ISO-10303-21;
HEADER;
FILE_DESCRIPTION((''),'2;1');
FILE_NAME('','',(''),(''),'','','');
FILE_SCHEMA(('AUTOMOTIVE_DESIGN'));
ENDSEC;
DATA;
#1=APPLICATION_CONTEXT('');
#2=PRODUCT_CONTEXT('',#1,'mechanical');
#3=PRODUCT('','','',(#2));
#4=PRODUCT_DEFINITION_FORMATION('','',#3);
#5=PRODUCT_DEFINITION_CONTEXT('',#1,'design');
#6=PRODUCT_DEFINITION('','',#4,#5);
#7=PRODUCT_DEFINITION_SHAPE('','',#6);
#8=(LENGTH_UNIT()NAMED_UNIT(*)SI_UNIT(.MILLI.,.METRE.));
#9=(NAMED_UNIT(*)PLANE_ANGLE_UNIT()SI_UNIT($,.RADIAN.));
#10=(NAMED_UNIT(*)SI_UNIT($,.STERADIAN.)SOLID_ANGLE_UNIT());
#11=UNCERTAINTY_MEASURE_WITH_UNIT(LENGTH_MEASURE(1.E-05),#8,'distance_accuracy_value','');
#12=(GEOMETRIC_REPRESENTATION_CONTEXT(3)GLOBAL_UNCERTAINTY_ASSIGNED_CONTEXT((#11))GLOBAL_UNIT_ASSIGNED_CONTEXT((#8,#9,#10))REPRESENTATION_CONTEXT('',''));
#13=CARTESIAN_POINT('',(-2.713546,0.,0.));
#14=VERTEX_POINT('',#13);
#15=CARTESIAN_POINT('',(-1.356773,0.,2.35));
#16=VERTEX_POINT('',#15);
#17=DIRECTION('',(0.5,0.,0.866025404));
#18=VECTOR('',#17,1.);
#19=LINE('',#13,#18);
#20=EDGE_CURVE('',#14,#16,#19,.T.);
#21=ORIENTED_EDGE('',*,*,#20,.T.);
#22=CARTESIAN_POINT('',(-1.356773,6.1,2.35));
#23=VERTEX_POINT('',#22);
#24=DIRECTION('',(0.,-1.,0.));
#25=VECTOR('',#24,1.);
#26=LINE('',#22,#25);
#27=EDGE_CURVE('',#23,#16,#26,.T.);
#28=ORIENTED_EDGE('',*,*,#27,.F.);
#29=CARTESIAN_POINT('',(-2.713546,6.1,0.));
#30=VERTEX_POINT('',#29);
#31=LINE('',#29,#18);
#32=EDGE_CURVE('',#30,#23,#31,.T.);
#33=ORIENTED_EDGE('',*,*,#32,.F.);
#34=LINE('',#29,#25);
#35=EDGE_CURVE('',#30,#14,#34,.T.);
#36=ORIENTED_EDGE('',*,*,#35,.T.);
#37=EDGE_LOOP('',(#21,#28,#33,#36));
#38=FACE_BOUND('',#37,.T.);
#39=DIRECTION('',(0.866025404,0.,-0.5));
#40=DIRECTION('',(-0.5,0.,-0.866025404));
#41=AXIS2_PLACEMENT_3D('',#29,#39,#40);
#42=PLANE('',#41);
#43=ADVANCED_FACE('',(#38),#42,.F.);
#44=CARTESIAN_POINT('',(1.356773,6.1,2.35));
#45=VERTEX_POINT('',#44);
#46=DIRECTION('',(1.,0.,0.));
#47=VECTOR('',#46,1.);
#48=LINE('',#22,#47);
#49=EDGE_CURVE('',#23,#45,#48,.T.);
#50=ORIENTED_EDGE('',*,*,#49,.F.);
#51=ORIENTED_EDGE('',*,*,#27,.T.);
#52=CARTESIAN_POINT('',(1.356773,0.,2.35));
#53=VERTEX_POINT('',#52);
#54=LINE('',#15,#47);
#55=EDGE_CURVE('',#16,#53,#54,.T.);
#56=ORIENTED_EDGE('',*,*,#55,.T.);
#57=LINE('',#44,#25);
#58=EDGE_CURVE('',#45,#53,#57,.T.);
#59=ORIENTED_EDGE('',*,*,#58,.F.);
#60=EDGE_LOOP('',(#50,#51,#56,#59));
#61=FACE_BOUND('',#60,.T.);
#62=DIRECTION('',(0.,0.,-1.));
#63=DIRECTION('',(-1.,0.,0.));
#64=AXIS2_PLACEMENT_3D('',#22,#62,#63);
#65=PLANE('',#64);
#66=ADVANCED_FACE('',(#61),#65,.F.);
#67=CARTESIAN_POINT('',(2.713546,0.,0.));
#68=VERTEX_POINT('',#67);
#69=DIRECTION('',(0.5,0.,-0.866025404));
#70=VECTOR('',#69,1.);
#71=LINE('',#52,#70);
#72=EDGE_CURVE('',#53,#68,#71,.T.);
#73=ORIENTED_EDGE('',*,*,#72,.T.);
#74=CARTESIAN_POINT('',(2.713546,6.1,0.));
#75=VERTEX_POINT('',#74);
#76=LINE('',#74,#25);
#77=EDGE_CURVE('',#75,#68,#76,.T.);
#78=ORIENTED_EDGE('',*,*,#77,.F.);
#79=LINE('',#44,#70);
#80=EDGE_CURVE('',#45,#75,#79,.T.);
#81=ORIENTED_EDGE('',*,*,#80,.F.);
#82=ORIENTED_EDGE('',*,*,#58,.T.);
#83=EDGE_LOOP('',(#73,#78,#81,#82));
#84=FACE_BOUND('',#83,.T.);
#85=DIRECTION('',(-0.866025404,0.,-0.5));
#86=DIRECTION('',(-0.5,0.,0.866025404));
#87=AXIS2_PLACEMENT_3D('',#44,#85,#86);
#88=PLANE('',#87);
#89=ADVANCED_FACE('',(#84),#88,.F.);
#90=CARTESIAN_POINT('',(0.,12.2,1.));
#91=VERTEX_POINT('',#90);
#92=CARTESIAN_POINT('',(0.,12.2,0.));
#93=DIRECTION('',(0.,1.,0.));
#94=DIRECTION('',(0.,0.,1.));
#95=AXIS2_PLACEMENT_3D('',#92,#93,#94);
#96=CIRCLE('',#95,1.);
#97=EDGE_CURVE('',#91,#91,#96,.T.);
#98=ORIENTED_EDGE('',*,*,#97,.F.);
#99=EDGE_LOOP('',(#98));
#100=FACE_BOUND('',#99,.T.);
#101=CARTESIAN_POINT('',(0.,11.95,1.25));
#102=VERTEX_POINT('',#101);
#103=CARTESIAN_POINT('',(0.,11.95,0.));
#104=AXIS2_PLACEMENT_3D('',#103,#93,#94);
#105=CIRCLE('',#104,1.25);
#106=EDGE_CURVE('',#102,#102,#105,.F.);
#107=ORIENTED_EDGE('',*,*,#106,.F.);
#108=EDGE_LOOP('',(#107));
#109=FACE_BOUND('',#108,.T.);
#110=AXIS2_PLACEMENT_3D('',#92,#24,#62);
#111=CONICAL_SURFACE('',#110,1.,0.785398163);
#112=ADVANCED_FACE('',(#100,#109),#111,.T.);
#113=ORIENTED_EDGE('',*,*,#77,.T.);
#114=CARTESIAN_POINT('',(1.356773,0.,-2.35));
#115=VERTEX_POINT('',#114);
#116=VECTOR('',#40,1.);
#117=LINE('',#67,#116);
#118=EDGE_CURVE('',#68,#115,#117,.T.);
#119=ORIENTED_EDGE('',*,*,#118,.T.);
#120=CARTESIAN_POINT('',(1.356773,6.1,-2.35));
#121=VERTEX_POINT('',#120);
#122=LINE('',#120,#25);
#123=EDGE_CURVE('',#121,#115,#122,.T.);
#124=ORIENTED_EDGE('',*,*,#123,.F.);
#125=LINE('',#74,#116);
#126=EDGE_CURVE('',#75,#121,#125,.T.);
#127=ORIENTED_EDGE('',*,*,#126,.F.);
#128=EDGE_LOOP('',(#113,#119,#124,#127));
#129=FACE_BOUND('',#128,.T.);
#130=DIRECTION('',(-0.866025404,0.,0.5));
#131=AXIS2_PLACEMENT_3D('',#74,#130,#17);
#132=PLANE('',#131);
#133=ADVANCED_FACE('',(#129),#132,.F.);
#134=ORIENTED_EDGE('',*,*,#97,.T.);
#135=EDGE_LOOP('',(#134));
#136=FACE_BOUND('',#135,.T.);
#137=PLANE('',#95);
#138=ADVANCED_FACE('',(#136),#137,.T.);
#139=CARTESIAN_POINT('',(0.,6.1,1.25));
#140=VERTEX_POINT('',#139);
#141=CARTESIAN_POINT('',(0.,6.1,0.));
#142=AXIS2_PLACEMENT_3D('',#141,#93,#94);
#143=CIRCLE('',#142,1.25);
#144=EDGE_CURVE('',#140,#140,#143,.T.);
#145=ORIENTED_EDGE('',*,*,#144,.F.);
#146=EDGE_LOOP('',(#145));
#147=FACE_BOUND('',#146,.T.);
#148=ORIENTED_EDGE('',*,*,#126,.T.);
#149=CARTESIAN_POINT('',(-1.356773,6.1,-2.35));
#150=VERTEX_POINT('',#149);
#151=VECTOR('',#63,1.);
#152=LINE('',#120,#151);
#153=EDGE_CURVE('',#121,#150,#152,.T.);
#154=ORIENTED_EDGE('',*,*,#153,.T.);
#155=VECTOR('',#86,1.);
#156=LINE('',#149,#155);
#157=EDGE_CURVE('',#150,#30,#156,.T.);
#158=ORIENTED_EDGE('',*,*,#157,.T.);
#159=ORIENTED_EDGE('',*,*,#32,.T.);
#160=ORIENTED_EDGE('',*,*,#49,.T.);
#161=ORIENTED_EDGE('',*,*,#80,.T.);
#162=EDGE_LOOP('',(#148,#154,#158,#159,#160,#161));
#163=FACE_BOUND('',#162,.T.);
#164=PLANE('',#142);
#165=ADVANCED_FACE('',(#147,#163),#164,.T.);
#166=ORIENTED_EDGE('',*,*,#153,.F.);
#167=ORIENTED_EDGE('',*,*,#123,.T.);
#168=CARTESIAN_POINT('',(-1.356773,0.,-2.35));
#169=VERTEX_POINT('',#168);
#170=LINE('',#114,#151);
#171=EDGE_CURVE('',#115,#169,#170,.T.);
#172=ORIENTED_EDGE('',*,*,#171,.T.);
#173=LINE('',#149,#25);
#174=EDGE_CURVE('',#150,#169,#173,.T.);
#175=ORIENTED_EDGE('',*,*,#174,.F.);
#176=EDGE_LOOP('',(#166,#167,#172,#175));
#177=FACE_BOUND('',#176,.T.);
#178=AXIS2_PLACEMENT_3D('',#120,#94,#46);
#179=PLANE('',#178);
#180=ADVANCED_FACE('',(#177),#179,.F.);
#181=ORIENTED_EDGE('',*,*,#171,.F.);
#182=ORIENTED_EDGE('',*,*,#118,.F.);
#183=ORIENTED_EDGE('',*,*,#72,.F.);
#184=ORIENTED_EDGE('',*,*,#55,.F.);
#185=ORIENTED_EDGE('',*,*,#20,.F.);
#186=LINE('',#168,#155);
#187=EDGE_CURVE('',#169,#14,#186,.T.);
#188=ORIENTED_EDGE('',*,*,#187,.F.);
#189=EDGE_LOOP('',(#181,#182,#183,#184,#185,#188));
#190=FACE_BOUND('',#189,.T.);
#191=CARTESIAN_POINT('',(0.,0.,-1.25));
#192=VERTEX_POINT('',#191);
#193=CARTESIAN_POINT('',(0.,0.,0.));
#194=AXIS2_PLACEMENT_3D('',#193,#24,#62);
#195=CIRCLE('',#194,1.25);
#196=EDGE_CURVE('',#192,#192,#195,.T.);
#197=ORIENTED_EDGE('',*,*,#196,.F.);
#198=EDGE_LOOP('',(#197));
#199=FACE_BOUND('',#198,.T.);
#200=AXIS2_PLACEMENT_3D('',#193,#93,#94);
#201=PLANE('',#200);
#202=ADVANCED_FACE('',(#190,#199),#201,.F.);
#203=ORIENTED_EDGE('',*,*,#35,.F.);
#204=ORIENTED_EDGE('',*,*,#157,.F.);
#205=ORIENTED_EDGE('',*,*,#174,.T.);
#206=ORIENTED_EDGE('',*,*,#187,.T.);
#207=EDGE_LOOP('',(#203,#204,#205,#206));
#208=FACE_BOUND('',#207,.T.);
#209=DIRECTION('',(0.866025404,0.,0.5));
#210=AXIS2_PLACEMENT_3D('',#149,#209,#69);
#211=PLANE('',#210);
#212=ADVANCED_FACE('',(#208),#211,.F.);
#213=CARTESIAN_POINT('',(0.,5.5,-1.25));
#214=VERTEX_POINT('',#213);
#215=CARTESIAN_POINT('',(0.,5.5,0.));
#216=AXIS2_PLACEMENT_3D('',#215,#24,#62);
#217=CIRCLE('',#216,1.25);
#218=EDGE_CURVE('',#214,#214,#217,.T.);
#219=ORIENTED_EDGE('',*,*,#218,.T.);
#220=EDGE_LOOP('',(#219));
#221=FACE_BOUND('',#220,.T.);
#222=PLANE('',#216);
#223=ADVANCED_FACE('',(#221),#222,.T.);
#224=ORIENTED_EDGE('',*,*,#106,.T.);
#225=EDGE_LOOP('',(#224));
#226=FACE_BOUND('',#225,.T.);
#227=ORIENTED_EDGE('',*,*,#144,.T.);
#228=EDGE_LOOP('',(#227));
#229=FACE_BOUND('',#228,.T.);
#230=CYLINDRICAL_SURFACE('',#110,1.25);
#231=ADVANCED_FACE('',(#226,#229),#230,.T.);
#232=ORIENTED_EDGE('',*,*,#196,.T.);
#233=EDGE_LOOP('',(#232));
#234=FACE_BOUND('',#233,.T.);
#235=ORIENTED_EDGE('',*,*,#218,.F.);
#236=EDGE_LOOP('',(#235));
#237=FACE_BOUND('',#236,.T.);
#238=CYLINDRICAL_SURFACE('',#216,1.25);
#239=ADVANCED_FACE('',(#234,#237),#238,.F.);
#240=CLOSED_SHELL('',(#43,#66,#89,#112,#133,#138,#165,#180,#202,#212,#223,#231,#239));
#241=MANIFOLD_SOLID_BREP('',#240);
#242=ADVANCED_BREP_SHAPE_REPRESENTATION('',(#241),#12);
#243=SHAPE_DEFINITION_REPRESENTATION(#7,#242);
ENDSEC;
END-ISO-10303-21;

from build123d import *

# Parameters (mm, degrees)
BOSS_EXTRUDE1_DEPTH = 6.1
SKETCH2_R           = 1.25
BOSS_EXTRUDE2_DEPTH = 6.1
CHAMFER1_SIZE       = 0.25
SKETCH3_R           = 1.25
CUT_EXTRUDE1_DEPTH  = 5.5


with BuildPart() as part:
    # Sketch1 → Boss-Extrude1 (new body)
    with BuildSketch(Plane(origin=(0, 0, 0), x_dir=(1, 0, 0), z_dir=(0, 1, 0))):
        Polygon((2.713546265, 0), (1.356773133, 2.35), (-1.356773133, 2.35), (-2.713546265, 0), (-1.356773133, -2.35), (1.356773133, -2.35), align=None)
    extrude(amount=BOSS_EXTRUDE1_DEPTH)

    # Sketch2 → Boss-Extrude2 (add)
    with BuildSketch(Plane(origin=(0, 6.1, 0), x_dir=(1, 0, 0), z_dir=(0, 1, 0))):
        with Locations(Location((0, 0, 0), (0, 0, 270))):
            Circle(SKETCH2_R)
    extrude(amount=BOSS_EXTRUDE2_DEPTH)

    # Chamfer1
    chamfer1_edges = [part.edges().sort_by_distance(p)[0] for p in [
        (0, 12.2, -1.25),
    ]]
    chamfer(chamfer1_edges, length=CHAMFER1_SIZE)

    # Sketch3 → Cut-Extrude1 (cut)
    with BuildSketch(Plane.XZ):
        with Locations(Location((0, 0, 0), (0, 0, 90))):
            Circle(SKETCH3_R)
    extrude(amount=-CUT_EXTRUDE1_DEPTH, mode=Mode.SUBTRACT)


solid = part.part
